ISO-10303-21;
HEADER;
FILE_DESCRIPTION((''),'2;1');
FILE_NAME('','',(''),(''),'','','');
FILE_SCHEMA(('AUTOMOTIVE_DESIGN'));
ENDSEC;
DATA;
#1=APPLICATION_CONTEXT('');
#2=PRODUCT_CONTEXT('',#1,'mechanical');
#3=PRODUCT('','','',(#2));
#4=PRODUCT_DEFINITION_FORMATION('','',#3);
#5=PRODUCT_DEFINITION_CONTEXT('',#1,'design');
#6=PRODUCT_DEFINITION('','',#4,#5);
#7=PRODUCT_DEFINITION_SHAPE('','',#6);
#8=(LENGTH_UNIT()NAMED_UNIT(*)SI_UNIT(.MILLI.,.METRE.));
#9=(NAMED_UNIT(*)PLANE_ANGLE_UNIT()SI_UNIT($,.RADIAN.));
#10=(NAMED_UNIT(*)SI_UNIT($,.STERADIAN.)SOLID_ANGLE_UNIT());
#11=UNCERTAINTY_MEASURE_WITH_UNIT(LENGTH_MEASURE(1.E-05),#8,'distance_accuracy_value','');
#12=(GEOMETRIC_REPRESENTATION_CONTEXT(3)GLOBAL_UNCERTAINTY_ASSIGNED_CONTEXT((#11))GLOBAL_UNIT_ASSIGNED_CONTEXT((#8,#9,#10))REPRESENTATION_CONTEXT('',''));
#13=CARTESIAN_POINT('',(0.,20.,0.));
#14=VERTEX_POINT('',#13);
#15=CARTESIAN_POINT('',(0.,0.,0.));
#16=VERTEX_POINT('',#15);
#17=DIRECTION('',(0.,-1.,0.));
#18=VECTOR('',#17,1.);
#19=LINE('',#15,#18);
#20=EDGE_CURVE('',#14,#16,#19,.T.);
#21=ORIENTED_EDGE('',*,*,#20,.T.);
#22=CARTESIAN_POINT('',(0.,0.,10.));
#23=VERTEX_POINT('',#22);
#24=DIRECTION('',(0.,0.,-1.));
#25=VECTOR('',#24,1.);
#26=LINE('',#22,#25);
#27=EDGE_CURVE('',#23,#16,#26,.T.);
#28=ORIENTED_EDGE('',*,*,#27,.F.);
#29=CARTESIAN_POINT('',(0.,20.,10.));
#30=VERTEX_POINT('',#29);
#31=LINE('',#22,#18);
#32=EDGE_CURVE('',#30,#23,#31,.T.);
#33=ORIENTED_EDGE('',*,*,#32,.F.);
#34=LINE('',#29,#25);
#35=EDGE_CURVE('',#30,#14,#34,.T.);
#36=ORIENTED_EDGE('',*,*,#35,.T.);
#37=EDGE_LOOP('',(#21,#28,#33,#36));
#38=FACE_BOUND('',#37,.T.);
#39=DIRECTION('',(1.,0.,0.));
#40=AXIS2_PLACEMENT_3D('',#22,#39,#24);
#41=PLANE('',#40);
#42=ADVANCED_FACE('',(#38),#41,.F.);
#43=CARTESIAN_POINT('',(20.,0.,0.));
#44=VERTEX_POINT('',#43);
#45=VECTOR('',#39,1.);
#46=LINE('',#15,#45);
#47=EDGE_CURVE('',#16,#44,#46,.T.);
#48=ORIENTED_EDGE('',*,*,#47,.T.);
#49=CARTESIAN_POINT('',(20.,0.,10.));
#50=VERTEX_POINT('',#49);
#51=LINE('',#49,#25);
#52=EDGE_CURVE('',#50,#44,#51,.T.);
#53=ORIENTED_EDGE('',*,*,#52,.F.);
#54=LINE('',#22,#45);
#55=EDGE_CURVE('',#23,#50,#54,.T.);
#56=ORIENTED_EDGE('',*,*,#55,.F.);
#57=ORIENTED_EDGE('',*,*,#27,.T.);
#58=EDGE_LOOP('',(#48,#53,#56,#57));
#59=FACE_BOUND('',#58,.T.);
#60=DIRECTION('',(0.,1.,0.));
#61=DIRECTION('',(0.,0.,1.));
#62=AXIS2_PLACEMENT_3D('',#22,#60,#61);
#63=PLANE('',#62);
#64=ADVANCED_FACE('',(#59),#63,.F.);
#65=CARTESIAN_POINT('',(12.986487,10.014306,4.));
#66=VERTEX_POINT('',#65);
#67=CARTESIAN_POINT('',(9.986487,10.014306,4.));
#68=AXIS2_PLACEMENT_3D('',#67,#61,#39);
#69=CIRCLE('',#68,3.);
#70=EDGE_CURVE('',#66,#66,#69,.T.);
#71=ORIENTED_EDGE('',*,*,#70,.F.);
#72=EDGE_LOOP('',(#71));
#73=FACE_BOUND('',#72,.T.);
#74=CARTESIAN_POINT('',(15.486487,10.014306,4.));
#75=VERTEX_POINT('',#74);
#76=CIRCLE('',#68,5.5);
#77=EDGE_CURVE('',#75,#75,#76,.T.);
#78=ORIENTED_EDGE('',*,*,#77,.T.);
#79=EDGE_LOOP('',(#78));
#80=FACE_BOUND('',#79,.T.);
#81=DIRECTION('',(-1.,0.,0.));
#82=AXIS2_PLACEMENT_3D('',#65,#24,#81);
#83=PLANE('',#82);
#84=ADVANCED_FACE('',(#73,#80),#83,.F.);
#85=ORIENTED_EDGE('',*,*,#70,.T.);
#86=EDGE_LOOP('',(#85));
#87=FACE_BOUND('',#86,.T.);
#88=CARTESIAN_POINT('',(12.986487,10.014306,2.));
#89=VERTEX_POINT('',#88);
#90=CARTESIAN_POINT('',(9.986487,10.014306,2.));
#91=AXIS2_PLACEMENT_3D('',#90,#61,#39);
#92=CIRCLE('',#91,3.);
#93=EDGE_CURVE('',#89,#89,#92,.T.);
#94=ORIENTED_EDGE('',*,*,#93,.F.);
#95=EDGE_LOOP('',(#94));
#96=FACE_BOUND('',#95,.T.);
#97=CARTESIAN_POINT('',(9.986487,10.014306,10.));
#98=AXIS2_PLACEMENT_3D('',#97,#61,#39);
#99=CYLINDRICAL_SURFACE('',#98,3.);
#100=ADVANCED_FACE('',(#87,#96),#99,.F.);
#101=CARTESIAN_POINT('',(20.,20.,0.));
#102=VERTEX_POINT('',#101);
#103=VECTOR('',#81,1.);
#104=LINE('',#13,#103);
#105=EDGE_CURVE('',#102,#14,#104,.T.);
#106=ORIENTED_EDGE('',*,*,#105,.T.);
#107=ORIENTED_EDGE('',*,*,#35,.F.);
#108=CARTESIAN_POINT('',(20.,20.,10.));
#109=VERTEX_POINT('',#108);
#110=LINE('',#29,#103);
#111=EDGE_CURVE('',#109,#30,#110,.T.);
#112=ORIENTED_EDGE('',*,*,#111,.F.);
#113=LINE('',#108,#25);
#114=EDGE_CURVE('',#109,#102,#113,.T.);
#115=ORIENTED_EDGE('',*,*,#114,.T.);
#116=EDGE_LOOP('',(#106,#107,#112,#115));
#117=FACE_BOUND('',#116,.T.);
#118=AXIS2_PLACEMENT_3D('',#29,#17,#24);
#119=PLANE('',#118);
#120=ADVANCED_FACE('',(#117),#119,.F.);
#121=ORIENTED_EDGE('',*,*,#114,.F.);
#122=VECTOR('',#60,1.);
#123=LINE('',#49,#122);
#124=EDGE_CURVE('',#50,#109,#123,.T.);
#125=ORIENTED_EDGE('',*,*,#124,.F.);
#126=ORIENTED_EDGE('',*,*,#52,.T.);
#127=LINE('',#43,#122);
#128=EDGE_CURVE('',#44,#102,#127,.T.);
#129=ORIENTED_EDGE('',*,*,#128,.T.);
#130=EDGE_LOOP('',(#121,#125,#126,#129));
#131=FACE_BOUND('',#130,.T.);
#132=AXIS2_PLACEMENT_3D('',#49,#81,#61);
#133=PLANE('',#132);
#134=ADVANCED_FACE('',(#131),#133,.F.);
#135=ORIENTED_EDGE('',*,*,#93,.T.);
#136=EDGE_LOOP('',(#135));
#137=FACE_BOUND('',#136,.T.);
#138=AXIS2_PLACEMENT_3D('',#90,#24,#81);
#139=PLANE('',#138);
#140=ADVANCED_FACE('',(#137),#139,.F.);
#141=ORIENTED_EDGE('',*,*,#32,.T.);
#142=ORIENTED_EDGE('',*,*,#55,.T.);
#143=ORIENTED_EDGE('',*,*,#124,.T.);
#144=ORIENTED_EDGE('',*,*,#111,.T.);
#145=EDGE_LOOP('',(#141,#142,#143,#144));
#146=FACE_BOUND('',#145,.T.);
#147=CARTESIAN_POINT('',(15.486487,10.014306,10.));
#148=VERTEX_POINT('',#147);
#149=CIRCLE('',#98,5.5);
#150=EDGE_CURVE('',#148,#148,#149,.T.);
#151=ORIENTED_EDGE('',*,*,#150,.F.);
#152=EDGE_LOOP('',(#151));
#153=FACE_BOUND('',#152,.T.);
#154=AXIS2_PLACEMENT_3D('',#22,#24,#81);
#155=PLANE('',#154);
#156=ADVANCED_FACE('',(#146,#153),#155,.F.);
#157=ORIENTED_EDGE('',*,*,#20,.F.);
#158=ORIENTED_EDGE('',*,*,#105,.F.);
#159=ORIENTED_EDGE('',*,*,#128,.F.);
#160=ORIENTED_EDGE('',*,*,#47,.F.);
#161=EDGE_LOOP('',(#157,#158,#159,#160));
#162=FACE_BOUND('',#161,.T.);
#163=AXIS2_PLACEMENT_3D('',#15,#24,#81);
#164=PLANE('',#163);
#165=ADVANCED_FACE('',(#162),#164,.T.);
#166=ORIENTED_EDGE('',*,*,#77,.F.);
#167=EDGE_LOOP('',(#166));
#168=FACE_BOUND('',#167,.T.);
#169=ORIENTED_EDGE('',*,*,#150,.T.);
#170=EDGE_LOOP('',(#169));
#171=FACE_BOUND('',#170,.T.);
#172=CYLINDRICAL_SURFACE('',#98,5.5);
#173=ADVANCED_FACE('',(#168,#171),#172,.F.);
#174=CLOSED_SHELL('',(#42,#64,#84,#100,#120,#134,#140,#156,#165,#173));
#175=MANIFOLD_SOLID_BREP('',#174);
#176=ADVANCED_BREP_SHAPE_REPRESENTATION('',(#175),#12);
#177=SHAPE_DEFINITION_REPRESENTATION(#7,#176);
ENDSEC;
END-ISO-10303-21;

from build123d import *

# Parameters (mm, degrees)
SKETCH_1_W                              = 20
SKETCH_1_H                              = 20
BASEBOX_DEPTH                           = 10
HOLE_BLINDCBORE_THRU_DEPTH8_D           = 6
HOLE_BLINDCBORE_THRU_DEPTH8_DEPTH       = 8
HOLE_BLINDCBORE_THRU_DEPTH8_CBORE_D     = 11
HOLE_BLINDCBORE_THRU_DEPTH8_CBORE_DEPTH = 6


with BuildPart() as part:
    # 草图1 → BaseBox (new body)
    with BuildSketch(Plane.XY):
        with Locations((10, 10)):
            Rectangle(SKETCH_1_W, SKETCH_1_H)
    extrude(amount=BASEBOX_DEPTH)

    # Hole_BlindCbore_thru_depth8
    with Locations(Plane.XY.offset(10)):
        with Locations((9.986487375, 10.014305599)):
            CounterBoreHole(HOLE_BLINDCBORE_THRU_DEPTH8_D / 2, HOLE_BLINDCBORE_THRU_DEPTH8_CBORE_D / 2, HOLE_BLINDCBORE_THRU_DEPTH8_CBORE_DEPTH, depth=HOLE_BLINDCBORE_THRU_DEPTH8_DEPTH)


solid = part.part
